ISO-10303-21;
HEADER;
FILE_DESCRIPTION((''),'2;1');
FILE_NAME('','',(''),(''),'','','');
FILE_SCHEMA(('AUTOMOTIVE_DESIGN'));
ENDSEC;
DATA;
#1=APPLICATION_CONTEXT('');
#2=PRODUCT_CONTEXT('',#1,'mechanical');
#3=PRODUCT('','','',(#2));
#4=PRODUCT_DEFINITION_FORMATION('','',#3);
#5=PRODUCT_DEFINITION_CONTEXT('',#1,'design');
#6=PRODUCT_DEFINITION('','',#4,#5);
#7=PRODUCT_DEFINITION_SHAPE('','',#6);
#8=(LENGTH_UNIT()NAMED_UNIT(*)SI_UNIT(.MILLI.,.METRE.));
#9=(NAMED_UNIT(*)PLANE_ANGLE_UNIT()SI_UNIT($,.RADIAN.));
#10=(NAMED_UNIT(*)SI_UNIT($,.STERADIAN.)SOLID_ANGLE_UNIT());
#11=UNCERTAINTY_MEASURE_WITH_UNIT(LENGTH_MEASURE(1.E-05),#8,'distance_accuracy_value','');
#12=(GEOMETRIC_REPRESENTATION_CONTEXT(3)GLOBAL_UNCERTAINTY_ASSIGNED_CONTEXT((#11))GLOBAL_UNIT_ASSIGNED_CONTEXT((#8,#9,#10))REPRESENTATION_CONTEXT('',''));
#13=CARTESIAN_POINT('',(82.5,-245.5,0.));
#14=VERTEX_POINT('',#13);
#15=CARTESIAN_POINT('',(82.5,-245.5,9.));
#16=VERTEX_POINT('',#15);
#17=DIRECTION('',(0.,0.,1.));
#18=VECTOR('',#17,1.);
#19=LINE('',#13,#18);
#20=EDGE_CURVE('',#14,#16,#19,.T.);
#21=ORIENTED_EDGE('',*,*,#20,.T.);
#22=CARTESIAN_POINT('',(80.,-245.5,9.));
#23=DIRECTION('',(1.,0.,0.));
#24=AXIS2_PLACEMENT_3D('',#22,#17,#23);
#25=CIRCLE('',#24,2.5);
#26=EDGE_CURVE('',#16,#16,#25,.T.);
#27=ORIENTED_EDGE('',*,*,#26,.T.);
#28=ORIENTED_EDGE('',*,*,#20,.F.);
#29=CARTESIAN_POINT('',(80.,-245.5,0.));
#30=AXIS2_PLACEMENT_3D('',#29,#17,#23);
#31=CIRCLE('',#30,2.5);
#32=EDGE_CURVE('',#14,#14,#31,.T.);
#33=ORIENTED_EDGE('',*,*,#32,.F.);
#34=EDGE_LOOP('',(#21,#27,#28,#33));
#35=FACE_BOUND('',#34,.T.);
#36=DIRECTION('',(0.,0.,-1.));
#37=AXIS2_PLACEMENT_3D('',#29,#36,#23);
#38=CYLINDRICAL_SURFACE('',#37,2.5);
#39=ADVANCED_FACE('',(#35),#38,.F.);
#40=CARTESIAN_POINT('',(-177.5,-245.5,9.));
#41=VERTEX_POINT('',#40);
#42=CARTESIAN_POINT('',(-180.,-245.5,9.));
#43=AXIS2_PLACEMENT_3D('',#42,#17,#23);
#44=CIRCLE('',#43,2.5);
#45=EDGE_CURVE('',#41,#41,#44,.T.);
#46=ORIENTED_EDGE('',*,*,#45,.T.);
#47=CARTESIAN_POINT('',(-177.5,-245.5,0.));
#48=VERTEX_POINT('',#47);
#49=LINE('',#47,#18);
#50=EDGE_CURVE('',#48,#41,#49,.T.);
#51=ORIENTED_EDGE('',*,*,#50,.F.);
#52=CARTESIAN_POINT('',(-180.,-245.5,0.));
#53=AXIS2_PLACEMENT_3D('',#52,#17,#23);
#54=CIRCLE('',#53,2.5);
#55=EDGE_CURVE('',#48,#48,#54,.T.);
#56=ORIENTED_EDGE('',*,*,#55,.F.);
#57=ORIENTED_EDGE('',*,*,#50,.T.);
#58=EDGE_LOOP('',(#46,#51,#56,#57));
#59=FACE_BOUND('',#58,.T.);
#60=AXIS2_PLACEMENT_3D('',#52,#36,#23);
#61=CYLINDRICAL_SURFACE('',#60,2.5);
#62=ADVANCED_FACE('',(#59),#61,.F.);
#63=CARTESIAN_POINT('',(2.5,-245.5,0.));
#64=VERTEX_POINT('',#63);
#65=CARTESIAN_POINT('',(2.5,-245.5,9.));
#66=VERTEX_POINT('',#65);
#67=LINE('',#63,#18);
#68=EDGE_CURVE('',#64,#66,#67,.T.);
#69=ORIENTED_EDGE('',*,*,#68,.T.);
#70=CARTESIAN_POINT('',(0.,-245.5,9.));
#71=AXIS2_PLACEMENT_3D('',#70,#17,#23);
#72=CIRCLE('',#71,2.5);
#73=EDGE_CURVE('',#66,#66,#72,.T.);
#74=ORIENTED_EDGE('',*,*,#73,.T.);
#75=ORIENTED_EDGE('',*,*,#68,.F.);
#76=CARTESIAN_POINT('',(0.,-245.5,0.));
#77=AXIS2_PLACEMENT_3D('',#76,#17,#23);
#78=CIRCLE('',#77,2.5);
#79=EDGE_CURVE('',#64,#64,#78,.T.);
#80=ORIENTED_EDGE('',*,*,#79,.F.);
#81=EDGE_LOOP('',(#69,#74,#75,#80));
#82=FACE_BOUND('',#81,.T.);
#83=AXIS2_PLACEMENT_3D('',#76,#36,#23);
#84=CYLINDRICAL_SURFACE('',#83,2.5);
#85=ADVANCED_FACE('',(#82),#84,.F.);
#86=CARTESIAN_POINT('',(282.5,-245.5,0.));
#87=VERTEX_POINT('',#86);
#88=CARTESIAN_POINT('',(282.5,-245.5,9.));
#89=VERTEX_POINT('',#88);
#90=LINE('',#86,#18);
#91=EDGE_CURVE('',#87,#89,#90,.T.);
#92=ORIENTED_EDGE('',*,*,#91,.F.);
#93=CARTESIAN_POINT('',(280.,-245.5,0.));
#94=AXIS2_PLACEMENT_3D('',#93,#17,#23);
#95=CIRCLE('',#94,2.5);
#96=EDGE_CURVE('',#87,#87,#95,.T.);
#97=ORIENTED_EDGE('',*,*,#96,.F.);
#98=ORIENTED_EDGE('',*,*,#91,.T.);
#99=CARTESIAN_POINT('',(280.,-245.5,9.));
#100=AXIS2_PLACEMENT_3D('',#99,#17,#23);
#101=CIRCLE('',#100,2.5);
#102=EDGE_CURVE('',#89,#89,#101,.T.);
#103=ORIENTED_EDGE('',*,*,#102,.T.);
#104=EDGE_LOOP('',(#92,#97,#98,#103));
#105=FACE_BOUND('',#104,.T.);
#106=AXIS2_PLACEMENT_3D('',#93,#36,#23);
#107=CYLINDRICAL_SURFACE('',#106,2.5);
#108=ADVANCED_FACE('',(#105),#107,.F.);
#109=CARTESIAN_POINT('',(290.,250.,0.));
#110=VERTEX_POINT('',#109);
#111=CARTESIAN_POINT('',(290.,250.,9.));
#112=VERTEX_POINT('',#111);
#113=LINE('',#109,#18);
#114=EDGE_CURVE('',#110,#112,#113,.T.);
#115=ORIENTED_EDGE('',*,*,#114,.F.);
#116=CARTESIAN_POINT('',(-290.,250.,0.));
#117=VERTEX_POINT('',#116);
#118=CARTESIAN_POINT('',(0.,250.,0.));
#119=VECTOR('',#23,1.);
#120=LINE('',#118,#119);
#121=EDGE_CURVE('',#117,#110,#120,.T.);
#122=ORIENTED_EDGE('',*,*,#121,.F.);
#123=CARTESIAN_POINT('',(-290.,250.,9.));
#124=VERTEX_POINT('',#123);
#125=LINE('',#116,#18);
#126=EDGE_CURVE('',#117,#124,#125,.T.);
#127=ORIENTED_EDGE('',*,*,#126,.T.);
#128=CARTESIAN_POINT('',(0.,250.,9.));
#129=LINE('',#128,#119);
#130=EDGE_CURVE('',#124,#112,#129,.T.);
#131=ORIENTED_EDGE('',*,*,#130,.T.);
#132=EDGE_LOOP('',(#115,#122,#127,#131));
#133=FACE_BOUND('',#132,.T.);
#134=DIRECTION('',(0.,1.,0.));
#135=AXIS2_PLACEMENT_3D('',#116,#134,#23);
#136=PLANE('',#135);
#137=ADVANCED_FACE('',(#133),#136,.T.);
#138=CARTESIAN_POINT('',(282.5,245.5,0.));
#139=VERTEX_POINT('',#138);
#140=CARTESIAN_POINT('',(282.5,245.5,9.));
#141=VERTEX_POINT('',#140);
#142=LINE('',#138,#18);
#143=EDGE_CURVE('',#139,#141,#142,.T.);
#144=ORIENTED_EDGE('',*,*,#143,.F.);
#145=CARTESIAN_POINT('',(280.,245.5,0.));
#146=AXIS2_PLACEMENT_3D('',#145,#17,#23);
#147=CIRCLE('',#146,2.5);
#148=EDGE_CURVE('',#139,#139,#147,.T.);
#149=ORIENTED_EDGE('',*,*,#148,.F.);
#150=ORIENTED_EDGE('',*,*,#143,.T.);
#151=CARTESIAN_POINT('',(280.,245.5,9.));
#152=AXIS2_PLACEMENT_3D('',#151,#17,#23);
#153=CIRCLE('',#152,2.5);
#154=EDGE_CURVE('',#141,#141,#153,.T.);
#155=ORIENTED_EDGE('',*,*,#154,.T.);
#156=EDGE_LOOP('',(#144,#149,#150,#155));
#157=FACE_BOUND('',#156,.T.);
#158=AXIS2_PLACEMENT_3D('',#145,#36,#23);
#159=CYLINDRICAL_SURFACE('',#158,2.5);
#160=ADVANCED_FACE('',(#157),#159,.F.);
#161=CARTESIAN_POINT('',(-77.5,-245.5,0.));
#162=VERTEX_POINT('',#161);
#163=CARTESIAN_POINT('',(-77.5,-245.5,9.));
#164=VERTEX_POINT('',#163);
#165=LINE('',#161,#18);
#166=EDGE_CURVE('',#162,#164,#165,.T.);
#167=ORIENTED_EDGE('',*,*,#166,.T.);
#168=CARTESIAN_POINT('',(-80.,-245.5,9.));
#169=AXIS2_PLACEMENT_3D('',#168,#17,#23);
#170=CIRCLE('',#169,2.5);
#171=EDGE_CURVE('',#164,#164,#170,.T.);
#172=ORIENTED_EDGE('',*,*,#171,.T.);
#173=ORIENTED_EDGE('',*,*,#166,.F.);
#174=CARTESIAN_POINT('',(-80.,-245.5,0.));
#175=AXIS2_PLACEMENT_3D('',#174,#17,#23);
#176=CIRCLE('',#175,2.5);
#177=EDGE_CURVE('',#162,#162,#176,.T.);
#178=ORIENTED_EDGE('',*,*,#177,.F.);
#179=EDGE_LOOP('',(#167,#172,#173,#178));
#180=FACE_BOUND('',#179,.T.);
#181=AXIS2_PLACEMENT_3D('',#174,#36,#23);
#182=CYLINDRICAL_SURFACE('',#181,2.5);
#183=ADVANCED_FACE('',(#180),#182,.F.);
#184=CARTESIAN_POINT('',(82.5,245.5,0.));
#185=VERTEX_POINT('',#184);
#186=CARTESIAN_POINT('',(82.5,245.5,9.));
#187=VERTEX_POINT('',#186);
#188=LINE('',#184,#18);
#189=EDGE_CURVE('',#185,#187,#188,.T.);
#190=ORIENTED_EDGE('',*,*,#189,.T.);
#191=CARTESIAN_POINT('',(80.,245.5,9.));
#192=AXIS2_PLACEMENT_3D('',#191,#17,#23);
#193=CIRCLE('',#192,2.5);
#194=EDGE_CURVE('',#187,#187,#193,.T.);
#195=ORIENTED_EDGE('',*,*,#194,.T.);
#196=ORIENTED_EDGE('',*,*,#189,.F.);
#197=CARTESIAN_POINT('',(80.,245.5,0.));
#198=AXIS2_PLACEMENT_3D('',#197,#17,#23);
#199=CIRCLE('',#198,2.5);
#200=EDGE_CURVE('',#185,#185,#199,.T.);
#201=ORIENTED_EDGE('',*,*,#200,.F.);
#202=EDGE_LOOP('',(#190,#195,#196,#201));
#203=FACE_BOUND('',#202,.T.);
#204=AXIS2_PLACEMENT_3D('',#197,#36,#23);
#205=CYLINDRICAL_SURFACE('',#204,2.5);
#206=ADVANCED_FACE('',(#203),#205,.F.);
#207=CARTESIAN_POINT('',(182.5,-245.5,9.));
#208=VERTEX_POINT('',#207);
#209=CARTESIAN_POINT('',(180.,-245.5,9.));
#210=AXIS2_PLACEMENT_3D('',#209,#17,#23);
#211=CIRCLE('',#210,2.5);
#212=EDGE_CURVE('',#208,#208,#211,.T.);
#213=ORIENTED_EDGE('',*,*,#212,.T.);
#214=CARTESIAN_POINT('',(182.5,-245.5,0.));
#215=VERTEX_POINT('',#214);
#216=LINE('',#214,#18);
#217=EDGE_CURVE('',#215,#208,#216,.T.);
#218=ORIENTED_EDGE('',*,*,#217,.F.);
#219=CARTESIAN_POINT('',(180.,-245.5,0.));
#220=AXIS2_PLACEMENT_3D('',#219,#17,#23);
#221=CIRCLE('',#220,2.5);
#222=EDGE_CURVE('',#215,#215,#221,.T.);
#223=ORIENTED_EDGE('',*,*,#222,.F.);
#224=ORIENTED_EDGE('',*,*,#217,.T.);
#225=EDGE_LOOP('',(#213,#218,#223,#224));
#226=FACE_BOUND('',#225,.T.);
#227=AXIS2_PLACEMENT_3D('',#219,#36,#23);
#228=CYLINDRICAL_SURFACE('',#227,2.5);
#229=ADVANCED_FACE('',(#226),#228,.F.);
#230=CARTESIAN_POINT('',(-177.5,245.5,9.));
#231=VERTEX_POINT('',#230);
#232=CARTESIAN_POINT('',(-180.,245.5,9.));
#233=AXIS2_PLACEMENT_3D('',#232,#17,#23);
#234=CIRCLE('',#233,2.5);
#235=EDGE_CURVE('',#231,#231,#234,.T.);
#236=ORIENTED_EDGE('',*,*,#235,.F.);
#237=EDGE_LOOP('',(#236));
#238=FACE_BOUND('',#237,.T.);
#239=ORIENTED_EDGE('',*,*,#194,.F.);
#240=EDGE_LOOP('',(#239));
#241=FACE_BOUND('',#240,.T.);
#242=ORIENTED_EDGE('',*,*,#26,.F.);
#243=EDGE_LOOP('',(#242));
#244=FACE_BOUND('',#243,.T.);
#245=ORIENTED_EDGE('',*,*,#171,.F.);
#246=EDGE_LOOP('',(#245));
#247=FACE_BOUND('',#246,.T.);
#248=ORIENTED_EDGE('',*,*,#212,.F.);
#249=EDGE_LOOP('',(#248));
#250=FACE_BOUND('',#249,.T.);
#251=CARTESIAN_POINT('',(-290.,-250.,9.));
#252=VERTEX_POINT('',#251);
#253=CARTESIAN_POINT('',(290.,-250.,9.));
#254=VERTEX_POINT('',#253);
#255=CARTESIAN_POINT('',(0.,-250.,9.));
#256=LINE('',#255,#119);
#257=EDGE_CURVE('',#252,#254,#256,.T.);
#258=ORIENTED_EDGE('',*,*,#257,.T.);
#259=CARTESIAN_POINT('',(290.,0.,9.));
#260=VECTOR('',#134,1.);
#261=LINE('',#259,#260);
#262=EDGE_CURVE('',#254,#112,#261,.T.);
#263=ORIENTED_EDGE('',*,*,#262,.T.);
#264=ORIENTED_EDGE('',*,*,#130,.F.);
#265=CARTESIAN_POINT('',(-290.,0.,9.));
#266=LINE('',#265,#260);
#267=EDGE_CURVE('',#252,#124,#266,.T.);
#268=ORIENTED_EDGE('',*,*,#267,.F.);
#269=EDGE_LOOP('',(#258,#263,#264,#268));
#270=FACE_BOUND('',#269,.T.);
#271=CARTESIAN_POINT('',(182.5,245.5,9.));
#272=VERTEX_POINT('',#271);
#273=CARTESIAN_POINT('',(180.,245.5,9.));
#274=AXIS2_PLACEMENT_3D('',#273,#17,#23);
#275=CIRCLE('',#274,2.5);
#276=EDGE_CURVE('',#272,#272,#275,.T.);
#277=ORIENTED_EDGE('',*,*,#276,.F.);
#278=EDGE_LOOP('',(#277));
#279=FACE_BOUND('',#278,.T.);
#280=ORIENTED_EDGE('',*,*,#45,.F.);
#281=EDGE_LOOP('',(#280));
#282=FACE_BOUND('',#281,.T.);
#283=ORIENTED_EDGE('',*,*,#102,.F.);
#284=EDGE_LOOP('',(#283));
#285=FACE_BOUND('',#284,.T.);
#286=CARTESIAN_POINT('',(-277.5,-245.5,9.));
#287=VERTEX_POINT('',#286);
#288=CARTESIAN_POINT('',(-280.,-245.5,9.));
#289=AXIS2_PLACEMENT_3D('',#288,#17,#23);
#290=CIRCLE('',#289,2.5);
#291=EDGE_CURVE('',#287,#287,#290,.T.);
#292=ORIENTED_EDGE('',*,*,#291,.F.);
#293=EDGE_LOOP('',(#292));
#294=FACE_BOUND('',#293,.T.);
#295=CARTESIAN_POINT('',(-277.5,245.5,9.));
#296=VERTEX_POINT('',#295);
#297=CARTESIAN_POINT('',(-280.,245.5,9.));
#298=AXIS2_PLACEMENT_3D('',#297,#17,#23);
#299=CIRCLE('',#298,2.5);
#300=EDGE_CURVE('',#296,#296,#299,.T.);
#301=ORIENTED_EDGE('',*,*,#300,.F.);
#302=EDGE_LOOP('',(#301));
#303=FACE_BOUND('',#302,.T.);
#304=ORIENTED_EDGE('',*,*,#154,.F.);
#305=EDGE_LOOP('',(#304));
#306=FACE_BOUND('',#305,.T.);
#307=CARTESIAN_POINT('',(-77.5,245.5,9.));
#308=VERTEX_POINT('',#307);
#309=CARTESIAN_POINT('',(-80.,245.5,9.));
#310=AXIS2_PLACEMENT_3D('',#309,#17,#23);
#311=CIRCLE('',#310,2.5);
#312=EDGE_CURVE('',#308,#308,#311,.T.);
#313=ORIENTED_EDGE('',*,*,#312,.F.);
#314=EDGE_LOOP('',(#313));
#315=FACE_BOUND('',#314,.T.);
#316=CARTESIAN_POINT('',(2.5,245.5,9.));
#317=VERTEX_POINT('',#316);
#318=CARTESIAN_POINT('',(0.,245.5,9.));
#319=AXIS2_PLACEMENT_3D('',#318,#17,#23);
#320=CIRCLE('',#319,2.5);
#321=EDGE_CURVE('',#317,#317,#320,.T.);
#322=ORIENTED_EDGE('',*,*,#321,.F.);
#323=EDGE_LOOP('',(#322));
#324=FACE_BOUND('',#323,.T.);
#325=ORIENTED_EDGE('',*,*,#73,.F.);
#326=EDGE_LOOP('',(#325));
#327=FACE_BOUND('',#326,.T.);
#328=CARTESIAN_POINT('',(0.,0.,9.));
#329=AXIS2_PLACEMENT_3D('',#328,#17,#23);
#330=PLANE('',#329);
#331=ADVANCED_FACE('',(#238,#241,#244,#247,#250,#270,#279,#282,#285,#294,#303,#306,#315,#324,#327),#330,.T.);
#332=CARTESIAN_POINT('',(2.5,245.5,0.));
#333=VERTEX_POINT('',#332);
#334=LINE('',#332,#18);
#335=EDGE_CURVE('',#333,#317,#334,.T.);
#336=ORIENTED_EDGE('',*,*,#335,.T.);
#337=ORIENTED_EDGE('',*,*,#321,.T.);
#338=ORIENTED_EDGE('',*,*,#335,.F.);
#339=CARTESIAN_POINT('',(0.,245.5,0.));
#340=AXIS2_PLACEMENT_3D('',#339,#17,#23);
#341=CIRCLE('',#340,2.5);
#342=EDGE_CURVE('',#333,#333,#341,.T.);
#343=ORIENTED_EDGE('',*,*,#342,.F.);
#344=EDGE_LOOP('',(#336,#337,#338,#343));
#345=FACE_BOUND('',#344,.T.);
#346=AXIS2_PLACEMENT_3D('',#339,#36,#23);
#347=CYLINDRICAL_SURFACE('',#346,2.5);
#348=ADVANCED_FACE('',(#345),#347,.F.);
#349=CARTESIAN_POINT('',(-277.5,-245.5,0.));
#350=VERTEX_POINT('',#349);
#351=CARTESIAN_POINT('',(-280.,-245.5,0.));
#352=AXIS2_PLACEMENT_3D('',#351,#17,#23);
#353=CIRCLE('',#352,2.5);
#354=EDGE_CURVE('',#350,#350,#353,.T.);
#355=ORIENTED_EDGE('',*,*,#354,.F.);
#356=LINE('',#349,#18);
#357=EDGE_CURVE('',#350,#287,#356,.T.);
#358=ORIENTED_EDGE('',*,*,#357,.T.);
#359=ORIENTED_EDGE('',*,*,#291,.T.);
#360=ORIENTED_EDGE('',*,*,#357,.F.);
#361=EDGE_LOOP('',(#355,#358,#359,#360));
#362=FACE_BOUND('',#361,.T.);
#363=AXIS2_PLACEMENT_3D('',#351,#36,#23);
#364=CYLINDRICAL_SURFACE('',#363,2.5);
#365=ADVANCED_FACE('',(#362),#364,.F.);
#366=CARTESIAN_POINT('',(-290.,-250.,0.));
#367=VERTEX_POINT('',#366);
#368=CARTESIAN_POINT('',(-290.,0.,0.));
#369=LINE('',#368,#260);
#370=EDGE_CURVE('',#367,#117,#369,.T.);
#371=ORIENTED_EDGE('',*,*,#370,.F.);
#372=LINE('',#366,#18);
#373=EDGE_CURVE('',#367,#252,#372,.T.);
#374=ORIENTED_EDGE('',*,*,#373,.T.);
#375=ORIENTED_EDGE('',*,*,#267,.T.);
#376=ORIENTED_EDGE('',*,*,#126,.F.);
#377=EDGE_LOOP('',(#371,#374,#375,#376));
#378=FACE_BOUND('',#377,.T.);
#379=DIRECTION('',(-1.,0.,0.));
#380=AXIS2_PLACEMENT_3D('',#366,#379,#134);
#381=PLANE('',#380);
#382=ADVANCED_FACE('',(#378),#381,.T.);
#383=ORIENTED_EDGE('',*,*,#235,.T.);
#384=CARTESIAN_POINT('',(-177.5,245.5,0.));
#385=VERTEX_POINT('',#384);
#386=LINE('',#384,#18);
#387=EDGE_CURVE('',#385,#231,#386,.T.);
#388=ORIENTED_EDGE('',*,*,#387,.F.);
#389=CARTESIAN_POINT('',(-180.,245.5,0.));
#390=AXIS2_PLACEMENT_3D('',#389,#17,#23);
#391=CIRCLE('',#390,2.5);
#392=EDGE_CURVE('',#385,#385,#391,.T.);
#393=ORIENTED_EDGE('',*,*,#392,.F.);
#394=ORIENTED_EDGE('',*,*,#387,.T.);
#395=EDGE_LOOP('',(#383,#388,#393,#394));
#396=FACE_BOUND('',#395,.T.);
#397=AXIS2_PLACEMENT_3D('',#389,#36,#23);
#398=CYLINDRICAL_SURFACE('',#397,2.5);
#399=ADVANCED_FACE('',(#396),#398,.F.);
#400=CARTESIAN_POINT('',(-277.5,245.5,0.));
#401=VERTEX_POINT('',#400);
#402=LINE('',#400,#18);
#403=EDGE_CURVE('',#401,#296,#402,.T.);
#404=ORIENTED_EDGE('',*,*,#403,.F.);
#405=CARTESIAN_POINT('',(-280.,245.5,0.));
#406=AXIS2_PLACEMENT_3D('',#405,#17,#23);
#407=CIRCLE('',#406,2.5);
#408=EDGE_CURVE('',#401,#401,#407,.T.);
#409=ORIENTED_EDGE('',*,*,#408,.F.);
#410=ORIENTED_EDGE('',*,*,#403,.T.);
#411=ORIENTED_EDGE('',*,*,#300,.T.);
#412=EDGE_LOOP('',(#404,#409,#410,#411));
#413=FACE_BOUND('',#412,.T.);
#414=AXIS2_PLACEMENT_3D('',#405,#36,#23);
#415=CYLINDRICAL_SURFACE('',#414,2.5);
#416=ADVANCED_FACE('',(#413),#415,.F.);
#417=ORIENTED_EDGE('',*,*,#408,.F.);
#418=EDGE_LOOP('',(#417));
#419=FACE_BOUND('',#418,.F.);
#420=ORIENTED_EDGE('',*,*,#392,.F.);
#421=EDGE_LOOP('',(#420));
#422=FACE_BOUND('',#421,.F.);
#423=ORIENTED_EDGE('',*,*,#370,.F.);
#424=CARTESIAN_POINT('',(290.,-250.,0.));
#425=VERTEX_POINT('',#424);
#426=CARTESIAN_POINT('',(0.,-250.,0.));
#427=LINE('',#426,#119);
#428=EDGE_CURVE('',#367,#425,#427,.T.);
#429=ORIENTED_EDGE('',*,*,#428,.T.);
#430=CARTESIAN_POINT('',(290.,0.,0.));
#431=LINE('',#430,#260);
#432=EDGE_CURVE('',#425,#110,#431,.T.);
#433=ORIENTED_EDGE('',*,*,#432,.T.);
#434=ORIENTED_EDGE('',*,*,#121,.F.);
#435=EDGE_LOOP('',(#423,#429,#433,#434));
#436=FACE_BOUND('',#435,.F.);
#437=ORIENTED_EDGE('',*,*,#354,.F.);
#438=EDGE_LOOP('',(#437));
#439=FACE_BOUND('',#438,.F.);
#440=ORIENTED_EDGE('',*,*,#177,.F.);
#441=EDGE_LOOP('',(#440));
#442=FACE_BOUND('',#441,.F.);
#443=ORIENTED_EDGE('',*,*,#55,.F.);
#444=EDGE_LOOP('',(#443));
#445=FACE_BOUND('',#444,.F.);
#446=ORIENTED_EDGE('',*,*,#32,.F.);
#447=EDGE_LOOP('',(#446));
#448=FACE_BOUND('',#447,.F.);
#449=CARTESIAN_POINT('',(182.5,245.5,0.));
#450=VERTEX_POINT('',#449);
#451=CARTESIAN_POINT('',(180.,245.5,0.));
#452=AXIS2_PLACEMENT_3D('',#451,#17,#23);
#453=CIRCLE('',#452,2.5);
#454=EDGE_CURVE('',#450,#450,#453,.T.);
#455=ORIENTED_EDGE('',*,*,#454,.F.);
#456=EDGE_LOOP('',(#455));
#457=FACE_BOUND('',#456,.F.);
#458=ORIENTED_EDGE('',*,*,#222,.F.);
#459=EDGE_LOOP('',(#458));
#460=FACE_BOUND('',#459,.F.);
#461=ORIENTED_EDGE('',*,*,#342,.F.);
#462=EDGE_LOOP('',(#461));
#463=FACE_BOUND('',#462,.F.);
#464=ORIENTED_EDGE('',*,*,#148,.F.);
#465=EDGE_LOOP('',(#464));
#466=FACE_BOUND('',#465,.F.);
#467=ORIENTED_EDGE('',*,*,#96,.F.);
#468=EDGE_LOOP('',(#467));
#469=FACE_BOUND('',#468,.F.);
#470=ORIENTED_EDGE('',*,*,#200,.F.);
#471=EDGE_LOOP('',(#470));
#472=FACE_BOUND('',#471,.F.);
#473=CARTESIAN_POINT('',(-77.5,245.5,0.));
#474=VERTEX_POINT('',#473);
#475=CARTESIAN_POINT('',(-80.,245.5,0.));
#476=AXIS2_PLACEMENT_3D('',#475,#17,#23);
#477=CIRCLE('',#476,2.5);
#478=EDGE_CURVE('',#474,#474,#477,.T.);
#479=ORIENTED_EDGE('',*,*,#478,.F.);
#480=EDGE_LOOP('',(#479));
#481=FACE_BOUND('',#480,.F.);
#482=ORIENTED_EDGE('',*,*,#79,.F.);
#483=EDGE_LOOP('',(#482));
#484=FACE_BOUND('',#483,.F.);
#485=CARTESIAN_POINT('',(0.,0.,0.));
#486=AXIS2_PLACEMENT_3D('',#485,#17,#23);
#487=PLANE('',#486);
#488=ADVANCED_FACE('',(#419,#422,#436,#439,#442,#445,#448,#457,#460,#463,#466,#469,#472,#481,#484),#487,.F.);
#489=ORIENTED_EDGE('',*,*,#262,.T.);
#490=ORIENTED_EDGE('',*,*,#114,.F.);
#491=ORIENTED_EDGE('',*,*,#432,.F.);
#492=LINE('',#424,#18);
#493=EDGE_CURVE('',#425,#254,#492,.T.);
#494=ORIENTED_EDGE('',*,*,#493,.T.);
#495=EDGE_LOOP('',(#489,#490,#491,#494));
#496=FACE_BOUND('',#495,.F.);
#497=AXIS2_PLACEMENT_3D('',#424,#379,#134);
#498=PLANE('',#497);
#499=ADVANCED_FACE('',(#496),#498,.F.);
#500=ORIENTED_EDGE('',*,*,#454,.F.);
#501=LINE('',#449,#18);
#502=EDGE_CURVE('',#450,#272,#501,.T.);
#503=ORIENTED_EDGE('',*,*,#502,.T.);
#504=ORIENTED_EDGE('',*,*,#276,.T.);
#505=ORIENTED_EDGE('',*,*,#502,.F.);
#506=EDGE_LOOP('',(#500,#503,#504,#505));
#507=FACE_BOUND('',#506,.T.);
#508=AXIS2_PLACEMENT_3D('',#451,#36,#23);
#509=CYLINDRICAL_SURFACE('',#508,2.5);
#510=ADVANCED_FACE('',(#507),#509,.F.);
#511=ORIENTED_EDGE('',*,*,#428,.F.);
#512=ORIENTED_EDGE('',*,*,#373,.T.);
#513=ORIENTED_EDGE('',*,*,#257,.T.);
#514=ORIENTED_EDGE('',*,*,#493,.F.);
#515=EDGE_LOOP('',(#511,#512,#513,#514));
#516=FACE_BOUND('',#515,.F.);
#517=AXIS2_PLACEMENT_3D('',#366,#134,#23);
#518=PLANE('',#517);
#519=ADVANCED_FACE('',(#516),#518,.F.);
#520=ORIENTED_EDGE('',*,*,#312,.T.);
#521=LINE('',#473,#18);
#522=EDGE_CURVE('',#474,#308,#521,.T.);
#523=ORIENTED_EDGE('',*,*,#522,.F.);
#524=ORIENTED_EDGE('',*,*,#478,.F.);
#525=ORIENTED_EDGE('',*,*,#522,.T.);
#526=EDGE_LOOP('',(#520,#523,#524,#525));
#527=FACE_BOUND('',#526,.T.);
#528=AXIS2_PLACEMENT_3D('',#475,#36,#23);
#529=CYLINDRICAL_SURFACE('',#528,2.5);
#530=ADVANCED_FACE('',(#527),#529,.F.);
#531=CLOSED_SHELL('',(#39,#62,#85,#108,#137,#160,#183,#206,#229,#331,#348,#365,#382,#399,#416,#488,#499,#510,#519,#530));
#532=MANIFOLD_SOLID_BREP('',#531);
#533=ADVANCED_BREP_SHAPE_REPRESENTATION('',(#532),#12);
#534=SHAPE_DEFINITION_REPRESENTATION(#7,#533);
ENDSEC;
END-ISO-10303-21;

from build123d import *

# Parameters (mm, degrees)
F0_W     = 580
F0_H     = 500
F0_R     = 2.5
F1_DEPTH = 9


with BuildPart() as f1:
    # F0 (on Top) → F1 (new body)
    with BuildSketch(Plane.XY):
        Rectangle(F0_W, F0_H)
        with Locations((-280, -245.5)):
            Circle(F0_R, mode=Mode.SUBTRACT)
        with Locations((-180, -245.5)):
            Circle(F0_R, mode=Mode.SUBTRACT)
        with Locations((-80, -245.5)):
            Circle(F0_R, mode=Mode.SUBTRACT)
        with Locations((0, -245.5)):
            Circle(F0_R, mode=Mode.SUBTRACT)
        with Locations((80, -245.5)):
            Circle(F0_R, mode=Mode.SUBTRACT)
        with Locations((180, -245.5)):
            Circle(F0_R, mode=Mode.SUBTRACT)
        with Locations((280, -245.5)):
            Circle(F0_R, mode=Mode.SUBTRACT)
        with Locations((-280, 245.5)):
            Circle(F0_R, mode=Mode.SUBTRACT)
        with Locations((-180, 245.5)):
            Circle(F0_R, mode=Mode.SUBTRACT)
        with Locations((-80, 245.5)):
            Circle(F0_R, mode=Mode.SUBTRACT)
        with Locations((0, 245.5)):
            Circle(F0_R, mode=Mode.SUBTRACT)
        with Locations((80, 245.5)):
            Circle(F0_R, mode=Mode.SUBTRACT)
        with Locations((180, 245.5)):
            Circle(F0_R, mode=Mode.SUBTRACT)
        with Locations((280, 245.5)):
            Circle(F0_R, mode=Mode.SUBTRACT)
    extrude(amount=F1_DEPTH)


solid = f1.part
